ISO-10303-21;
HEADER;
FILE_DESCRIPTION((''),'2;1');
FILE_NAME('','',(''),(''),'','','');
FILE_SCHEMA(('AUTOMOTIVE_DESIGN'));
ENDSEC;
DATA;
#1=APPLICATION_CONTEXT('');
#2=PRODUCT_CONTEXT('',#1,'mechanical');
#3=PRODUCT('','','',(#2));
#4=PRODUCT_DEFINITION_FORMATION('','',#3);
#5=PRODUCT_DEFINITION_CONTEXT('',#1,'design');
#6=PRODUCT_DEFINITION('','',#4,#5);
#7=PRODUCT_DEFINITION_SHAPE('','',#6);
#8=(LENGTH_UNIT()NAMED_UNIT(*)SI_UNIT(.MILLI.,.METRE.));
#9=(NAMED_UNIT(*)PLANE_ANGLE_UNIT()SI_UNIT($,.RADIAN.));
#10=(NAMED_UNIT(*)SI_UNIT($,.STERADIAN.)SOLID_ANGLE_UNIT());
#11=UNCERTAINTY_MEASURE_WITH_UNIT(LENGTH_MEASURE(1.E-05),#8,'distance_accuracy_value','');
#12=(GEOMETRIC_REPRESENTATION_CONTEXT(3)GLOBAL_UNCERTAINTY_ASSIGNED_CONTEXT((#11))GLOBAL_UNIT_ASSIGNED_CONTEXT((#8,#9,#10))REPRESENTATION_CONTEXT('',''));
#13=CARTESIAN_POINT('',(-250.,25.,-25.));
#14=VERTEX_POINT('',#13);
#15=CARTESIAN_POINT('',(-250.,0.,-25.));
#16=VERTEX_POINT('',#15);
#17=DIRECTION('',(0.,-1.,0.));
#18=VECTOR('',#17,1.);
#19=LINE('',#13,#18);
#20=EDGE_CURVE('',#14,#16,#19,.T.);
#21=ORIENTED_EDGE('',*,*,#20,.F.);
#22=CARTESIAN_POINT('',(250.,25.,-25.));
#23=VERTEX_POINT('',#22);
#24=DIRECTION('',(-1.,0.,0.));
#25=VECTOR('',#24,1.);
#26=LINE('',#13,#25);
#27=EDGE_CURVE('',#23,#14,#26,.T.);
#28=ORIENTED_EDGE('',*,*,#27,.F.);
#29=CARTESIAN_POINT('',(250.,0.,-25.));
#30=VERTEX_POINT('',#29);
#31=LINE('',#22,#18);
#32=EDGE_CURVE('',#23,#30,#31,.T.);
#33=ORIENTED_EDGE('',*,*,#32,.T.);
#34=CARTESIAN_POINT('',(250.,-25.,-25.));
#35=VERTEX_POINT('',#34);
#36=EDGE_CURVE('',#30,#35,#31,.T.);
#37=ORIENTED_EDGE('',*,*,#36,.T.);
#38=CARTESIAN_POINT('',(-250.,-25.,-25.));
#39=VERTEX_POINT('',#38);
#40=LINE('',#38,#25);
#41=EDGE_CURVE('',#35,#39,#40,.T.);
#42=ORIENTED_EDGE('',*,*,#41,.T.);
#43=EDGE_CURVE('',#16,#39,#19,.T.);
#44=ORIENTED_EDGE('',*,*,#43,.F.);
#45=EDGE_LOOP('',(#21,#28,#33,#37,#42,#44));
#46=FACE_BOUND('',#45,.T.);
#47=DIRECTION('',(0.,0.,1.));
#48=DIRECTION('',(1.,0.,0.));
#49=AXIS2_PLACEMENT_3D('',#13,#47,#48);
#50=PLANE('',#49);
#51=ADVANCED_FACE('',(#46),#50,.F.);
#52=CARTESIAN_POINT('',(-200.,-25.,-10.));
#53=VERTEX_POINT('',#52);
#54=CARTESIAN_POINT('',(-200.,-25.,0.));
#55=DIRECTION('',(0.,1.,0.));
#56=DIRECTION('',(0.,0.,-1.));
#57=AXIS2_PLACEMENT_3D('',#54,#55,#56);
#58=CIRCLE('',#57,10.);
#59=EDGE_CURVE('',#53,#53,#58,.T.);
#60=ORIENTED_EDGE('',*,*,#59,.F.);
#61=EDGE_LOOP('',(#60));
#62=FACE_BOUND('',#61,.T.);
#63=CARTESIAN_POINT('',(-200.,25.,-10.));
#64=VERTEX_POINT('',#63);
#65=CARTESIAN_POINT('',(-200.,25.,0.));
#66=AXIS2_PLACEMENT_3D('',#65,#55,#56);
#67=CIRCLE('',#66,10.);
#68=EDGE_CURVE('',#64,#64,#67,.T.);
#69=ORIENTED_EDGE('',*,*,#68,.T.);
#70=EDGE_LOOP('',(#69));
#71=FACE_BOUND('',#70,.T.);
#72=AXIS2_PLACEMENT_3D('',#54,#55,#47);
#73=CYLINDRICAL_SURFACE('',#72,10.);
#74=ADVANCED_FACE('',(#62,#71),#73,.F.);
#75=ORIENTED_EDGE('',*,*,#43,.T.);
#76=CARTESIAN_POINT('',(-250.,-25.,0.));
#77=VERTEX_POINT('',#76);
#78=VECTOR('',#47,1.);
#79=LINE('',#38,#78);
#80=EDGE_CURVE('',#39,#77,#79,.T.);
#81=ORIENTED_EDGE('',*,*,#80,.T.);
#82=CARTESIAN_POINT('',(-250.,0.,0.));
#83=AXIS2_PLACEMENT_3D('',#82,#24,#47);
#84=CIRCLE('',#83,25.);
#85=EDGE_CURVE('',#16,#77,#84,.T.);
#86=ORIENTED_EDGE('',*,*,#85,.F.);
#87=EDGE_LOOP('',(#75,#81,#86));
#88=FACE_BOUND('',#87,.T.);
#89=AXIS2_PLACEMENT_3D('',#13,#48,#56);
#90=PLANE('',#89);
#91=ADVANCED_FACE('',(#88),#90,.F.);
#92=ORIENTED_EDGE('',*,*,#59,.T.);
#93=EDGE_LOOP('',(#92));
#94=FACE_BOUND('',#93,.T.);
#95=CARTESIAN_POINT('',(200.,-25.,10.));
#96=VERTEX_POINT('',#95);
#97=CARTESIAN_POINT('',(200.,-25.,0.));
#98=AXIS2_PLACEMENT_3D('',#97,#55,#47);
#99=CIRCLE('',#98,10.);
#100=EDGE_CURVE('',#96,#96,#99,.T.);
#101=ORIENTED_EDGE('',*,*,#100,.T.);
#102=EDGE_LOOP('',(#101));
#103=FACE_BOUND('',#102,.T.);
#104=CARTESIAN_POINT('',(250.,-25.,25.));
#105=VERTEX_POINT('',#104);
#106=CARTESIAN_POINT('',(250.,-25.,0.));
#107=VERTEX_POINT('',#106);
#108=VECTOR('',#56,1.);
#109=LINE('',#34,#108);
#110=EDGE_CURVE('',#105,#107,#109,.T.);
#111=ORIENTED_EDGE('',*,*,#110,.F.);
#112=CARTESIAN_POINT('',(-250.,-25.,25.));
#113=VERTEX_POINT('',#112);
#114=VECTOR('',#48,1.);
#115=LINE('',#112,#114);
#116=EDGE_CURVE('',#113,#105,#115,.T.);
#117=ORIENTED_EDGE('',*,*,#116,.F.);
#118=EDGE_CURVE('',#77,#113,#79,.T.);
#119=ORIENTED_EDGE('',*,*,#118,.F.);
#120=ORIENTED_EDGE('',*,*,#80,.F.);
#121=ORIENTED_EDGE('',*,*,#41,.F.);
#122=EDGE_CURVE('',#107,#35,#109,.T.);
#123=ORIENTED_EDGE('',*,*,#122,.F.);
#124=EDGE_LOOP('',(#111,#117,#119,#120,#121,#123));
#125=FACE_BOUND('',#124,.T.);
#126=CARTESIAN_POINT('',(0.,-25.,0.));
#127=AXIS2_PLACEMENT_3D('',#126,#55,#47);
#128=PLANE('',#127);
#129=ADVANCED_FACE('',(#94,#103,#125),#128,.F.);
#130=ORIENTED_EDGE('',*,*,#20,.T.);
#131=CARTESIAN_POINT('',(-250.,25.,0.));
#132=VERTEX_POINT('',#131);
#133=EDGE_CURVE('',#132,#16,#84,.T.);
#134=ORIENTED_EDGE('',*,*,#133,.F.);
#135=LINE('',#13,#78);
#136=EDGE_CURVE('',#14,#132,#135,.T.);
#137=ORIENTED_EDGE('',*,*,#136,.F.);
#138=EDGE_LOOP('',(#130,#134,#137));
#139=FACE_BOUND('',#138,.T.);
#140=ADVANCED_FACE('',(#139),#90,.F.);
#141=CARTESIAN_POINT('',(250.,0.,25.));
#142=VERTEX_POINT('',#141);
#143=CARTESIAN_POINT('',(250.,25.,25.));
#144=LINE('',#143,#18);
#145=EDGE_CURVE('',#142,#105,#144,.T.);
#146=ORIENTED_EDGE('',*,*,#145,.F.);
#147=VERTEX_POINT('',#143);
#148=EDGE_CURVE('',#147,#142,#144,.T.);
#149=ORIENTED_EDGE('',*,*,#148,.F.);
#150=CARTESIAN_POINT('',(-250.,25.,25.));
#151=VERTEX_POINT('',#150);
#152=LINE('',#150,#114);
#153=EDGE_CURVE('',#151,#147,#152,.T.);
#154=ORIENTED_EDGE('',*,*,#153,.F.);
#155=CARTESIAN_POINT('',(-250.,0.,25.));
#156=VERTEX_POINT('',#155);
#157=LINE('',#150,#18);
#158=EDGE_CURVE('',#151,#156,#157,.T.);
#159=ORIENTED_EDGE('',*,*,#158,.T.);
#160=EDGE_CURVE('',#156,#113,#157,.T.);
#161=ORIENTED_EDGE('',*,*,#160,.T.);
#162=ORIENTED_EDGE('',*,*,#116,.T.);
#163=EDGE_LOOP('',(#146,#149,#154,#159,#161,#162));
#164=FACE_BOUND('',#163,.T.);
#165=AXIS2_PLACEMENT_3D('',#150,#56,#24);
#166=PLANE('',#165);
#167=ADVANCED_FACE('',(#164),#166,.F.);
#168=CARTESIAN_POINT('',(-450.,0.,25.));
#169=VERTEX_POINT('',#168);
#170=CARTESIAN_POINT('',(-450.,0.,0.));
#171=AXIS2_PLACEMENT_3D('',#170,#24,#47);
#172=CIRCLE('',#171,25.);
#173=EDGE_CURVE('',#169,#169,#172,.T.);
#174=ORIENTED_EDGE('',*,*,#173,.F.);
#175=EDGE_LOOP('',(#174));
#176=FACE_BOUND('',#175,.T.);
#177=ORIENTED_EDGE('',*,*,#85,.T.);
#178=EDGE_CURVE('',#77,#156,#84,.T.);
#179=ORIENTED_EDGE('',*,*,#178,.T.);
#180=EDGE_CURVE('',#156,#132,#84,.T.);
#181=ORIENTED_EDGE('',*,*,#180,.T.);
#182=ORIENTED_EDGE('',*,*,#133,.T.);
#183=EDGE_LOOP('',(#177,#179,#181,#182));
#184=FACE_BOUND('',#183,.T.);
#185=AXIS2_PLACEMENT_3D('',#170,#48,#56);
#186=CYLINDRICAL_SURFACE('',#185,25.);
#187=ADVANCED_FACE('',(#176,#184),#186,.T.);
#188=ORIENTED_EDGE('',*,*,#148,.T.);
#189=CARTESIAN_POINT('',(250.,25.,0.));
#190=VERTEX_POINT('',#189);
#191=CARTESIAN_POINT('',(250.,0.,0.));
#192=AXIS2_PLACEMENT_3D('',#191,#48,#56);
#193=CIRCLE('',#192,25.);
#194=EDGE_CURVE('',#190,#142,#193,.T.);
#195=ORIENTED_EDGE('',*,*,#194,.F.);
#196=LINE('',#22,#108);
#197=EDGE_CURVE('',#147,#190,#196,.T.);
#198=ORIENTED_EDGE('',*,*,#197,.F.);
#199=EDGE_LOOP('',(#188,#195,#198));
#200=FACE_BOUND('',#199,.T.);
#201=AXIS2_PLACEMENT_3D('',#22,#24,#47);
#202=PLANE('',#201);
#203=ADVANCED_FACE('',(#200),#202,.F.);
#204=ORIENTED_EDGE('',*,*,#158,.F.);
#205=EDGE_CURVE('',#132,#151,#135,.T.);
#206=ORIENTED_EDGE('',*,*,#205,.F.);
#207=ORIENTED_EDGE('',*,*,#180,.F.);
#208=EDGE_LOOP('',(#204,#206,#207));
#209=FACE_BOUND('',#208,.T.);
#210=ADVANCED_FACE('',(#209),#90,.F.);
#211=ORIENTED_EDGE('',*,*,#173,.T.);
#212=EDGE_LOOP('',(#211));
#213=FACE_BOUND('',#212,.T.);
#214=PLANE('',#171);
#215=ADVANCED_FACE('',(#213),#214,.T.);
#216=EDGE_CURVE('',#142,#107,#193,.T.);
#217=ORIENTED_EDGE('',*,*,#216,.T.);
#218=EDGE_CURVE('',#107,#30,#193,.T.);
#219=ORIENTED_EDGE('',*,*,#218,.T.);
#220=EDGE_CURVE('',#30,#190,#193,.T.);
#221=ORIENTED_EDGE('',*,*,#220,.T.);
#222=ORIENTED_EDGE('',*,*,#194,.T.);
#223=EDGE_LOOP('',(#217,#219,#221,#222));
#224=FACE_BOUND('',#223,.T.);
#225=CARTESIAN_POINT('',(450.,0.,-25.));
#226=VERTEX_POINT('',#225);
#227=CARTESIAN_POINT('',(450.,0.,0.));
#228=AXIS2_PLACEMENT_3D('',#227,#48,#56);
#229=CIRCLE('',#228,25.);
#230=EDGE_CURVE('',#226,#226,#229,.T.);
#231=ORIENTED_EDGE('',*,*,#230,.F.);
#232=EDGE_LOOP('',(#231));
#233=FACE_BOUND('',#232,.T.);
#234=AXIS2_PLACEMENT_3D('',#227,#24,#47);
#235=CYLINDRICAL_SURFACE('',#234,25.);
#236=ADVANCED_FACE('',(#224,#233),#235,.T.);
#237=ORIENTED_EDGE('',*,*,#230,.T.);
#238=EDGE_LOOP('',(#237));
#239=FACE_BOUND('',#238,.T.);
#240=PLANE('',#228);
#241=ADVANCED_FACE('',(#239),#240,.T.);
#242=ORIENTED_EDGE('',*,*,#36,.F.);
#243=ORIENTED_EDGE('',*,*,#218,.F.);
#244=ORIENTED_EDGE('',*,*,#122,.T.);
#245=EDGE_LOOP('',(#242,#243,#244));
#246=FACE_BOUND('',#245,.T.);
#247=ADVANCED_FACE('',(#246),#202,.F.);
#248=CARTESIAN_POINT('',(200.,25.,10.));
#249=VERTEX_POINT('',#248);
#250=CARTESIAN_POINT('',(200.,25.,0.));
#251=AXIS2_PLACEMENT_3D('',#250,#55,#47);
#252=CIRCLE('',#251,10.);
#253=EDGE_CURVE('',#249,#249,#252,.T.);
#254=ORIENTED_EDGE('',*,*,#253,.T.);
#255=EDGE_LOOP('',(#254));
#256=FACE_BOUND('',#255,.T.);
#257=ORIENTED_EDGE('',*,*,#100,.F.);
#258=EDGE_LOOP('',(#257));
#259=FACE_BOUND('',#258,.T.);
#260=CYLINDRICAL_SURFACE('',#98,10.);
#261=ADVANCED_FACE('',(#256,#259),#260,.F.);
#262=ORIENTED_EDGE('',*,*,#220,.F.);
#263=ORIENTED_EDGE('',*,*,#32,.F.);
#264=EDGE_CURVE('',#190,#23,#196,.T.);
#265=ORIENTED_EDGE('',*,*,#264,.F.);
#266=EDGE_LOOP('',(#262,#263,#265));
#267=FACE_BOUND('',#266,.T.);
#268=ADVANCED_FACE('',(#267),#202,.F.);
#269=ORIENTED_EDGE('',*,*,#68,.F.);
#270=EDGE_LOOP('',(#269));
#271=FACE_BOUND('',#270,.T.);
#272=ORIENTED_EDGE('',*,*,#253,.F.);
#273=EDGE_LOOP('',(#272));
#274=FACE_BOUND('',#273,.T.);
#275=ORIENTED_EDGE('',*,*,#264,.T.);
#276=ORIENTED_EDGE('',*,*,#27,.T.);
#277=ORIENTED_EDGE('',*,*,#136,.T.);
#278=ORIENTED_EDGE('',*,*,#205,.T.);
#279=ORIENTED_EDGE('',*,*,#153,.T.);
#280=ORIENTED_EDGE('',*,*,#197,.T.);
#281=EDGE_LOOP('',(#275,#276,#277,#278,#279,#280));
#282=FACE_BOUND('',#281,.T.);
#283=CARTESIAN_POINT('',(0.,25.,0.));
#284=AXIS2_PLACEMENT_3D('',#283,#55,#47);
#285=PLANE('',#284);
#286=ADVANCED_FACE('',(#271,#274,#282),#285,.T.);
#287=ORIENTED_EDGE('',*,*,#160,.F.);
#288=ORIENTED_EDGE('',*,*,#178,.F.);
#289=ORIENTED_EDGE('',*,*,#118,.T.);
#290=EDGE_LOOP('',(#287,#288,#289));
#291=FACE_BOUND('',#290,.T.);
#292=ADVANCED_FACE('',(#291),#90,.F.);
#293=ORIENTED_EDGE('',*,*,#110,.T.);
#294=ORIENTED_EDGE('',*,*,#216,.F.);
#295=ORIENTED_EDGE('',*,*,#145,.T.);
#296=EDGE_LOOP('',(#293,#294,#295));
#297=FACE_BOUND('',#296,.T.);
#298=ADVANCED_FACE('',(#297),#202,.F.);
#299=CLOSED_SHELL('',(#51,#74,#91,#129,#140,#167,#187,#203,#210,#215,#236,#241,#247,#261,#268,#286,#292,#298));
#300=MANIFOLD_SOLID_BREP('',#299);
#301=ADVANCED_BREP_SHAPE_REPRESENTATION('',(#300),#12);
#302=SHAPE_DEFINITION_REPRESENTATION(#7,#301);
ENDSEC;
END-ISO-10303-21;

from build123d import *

# Parameters (mm, degrees)
SKETCH1_W           = 500
SKETCH1_H           = 50
BOSS_EXTRUDE1_DEPTH = 25
SKETCH2_R           = 10
CUT_EXTRUDE1_DEPTH  = 257.173769149
SKETCH4_R           = 25
BOSS_EXTRUDE2_DEPTH = 200
BOSS_EXTRUDE3_START = 200
SKETCH5_R           = 25
BOSS_EXTRUDE3_DEPTH = 200


with BuildPart() as part:
    # Sketch1 → Boss-Extrude1 (new, symmetric)
    with BuildSketch(Plane(origin=(0, 0, 0), x_dir=(1, 0, 0), z_dir=(0, 1, 0))):
        Rectangle(SKETCH1_W, SKETCH1_H)
    extrude(amount=BOSS_EXTRUDE1_DEPTH, both=True)

    # Sketch2 → Cut-Extrude1 (cut, through all)
    with BuildSketch(Plane(origin=(0, 25, 0), x_dir=(1, 0, 0), z_dir=(0, 1, 0))):
        with Locations(Location((200, 0, 0), (0, 0, 270))):
            Circle(SKETCH2_R)
        with Locations(Location((-200, 0, 0), (0, 0, 90))):
            Circle(SKETCH2_R)
    extrude(amount=-CUT_EXTRUDE1_DEPTH, mode=Mode.SUBTRACT)

    # Sketch4 → Boss-Extrude2 (add)
    with BuildSketch(Plane(origin=(250, 0, 0), x_dir=(0, 0, -1), z_dir=(1, 0, 0))):
        Circle(SKETCH4_R)
    extrude(amount=BOSS_EXTRUDE2_DEPTH)

    # Sketch5 → Boss-Extrude3 (add)
    with BuildSketch(Plane.ZY.offset(250).offset(BOSS_EXTRUDE3_START)):
        with Locations(Location((0, 0, 0), (0, 0, 180))):
            Circle(SKETCH5_R)
    extrude(amount=-BOSS_EXTRUDE3_DEPTH)


solid = part.part
